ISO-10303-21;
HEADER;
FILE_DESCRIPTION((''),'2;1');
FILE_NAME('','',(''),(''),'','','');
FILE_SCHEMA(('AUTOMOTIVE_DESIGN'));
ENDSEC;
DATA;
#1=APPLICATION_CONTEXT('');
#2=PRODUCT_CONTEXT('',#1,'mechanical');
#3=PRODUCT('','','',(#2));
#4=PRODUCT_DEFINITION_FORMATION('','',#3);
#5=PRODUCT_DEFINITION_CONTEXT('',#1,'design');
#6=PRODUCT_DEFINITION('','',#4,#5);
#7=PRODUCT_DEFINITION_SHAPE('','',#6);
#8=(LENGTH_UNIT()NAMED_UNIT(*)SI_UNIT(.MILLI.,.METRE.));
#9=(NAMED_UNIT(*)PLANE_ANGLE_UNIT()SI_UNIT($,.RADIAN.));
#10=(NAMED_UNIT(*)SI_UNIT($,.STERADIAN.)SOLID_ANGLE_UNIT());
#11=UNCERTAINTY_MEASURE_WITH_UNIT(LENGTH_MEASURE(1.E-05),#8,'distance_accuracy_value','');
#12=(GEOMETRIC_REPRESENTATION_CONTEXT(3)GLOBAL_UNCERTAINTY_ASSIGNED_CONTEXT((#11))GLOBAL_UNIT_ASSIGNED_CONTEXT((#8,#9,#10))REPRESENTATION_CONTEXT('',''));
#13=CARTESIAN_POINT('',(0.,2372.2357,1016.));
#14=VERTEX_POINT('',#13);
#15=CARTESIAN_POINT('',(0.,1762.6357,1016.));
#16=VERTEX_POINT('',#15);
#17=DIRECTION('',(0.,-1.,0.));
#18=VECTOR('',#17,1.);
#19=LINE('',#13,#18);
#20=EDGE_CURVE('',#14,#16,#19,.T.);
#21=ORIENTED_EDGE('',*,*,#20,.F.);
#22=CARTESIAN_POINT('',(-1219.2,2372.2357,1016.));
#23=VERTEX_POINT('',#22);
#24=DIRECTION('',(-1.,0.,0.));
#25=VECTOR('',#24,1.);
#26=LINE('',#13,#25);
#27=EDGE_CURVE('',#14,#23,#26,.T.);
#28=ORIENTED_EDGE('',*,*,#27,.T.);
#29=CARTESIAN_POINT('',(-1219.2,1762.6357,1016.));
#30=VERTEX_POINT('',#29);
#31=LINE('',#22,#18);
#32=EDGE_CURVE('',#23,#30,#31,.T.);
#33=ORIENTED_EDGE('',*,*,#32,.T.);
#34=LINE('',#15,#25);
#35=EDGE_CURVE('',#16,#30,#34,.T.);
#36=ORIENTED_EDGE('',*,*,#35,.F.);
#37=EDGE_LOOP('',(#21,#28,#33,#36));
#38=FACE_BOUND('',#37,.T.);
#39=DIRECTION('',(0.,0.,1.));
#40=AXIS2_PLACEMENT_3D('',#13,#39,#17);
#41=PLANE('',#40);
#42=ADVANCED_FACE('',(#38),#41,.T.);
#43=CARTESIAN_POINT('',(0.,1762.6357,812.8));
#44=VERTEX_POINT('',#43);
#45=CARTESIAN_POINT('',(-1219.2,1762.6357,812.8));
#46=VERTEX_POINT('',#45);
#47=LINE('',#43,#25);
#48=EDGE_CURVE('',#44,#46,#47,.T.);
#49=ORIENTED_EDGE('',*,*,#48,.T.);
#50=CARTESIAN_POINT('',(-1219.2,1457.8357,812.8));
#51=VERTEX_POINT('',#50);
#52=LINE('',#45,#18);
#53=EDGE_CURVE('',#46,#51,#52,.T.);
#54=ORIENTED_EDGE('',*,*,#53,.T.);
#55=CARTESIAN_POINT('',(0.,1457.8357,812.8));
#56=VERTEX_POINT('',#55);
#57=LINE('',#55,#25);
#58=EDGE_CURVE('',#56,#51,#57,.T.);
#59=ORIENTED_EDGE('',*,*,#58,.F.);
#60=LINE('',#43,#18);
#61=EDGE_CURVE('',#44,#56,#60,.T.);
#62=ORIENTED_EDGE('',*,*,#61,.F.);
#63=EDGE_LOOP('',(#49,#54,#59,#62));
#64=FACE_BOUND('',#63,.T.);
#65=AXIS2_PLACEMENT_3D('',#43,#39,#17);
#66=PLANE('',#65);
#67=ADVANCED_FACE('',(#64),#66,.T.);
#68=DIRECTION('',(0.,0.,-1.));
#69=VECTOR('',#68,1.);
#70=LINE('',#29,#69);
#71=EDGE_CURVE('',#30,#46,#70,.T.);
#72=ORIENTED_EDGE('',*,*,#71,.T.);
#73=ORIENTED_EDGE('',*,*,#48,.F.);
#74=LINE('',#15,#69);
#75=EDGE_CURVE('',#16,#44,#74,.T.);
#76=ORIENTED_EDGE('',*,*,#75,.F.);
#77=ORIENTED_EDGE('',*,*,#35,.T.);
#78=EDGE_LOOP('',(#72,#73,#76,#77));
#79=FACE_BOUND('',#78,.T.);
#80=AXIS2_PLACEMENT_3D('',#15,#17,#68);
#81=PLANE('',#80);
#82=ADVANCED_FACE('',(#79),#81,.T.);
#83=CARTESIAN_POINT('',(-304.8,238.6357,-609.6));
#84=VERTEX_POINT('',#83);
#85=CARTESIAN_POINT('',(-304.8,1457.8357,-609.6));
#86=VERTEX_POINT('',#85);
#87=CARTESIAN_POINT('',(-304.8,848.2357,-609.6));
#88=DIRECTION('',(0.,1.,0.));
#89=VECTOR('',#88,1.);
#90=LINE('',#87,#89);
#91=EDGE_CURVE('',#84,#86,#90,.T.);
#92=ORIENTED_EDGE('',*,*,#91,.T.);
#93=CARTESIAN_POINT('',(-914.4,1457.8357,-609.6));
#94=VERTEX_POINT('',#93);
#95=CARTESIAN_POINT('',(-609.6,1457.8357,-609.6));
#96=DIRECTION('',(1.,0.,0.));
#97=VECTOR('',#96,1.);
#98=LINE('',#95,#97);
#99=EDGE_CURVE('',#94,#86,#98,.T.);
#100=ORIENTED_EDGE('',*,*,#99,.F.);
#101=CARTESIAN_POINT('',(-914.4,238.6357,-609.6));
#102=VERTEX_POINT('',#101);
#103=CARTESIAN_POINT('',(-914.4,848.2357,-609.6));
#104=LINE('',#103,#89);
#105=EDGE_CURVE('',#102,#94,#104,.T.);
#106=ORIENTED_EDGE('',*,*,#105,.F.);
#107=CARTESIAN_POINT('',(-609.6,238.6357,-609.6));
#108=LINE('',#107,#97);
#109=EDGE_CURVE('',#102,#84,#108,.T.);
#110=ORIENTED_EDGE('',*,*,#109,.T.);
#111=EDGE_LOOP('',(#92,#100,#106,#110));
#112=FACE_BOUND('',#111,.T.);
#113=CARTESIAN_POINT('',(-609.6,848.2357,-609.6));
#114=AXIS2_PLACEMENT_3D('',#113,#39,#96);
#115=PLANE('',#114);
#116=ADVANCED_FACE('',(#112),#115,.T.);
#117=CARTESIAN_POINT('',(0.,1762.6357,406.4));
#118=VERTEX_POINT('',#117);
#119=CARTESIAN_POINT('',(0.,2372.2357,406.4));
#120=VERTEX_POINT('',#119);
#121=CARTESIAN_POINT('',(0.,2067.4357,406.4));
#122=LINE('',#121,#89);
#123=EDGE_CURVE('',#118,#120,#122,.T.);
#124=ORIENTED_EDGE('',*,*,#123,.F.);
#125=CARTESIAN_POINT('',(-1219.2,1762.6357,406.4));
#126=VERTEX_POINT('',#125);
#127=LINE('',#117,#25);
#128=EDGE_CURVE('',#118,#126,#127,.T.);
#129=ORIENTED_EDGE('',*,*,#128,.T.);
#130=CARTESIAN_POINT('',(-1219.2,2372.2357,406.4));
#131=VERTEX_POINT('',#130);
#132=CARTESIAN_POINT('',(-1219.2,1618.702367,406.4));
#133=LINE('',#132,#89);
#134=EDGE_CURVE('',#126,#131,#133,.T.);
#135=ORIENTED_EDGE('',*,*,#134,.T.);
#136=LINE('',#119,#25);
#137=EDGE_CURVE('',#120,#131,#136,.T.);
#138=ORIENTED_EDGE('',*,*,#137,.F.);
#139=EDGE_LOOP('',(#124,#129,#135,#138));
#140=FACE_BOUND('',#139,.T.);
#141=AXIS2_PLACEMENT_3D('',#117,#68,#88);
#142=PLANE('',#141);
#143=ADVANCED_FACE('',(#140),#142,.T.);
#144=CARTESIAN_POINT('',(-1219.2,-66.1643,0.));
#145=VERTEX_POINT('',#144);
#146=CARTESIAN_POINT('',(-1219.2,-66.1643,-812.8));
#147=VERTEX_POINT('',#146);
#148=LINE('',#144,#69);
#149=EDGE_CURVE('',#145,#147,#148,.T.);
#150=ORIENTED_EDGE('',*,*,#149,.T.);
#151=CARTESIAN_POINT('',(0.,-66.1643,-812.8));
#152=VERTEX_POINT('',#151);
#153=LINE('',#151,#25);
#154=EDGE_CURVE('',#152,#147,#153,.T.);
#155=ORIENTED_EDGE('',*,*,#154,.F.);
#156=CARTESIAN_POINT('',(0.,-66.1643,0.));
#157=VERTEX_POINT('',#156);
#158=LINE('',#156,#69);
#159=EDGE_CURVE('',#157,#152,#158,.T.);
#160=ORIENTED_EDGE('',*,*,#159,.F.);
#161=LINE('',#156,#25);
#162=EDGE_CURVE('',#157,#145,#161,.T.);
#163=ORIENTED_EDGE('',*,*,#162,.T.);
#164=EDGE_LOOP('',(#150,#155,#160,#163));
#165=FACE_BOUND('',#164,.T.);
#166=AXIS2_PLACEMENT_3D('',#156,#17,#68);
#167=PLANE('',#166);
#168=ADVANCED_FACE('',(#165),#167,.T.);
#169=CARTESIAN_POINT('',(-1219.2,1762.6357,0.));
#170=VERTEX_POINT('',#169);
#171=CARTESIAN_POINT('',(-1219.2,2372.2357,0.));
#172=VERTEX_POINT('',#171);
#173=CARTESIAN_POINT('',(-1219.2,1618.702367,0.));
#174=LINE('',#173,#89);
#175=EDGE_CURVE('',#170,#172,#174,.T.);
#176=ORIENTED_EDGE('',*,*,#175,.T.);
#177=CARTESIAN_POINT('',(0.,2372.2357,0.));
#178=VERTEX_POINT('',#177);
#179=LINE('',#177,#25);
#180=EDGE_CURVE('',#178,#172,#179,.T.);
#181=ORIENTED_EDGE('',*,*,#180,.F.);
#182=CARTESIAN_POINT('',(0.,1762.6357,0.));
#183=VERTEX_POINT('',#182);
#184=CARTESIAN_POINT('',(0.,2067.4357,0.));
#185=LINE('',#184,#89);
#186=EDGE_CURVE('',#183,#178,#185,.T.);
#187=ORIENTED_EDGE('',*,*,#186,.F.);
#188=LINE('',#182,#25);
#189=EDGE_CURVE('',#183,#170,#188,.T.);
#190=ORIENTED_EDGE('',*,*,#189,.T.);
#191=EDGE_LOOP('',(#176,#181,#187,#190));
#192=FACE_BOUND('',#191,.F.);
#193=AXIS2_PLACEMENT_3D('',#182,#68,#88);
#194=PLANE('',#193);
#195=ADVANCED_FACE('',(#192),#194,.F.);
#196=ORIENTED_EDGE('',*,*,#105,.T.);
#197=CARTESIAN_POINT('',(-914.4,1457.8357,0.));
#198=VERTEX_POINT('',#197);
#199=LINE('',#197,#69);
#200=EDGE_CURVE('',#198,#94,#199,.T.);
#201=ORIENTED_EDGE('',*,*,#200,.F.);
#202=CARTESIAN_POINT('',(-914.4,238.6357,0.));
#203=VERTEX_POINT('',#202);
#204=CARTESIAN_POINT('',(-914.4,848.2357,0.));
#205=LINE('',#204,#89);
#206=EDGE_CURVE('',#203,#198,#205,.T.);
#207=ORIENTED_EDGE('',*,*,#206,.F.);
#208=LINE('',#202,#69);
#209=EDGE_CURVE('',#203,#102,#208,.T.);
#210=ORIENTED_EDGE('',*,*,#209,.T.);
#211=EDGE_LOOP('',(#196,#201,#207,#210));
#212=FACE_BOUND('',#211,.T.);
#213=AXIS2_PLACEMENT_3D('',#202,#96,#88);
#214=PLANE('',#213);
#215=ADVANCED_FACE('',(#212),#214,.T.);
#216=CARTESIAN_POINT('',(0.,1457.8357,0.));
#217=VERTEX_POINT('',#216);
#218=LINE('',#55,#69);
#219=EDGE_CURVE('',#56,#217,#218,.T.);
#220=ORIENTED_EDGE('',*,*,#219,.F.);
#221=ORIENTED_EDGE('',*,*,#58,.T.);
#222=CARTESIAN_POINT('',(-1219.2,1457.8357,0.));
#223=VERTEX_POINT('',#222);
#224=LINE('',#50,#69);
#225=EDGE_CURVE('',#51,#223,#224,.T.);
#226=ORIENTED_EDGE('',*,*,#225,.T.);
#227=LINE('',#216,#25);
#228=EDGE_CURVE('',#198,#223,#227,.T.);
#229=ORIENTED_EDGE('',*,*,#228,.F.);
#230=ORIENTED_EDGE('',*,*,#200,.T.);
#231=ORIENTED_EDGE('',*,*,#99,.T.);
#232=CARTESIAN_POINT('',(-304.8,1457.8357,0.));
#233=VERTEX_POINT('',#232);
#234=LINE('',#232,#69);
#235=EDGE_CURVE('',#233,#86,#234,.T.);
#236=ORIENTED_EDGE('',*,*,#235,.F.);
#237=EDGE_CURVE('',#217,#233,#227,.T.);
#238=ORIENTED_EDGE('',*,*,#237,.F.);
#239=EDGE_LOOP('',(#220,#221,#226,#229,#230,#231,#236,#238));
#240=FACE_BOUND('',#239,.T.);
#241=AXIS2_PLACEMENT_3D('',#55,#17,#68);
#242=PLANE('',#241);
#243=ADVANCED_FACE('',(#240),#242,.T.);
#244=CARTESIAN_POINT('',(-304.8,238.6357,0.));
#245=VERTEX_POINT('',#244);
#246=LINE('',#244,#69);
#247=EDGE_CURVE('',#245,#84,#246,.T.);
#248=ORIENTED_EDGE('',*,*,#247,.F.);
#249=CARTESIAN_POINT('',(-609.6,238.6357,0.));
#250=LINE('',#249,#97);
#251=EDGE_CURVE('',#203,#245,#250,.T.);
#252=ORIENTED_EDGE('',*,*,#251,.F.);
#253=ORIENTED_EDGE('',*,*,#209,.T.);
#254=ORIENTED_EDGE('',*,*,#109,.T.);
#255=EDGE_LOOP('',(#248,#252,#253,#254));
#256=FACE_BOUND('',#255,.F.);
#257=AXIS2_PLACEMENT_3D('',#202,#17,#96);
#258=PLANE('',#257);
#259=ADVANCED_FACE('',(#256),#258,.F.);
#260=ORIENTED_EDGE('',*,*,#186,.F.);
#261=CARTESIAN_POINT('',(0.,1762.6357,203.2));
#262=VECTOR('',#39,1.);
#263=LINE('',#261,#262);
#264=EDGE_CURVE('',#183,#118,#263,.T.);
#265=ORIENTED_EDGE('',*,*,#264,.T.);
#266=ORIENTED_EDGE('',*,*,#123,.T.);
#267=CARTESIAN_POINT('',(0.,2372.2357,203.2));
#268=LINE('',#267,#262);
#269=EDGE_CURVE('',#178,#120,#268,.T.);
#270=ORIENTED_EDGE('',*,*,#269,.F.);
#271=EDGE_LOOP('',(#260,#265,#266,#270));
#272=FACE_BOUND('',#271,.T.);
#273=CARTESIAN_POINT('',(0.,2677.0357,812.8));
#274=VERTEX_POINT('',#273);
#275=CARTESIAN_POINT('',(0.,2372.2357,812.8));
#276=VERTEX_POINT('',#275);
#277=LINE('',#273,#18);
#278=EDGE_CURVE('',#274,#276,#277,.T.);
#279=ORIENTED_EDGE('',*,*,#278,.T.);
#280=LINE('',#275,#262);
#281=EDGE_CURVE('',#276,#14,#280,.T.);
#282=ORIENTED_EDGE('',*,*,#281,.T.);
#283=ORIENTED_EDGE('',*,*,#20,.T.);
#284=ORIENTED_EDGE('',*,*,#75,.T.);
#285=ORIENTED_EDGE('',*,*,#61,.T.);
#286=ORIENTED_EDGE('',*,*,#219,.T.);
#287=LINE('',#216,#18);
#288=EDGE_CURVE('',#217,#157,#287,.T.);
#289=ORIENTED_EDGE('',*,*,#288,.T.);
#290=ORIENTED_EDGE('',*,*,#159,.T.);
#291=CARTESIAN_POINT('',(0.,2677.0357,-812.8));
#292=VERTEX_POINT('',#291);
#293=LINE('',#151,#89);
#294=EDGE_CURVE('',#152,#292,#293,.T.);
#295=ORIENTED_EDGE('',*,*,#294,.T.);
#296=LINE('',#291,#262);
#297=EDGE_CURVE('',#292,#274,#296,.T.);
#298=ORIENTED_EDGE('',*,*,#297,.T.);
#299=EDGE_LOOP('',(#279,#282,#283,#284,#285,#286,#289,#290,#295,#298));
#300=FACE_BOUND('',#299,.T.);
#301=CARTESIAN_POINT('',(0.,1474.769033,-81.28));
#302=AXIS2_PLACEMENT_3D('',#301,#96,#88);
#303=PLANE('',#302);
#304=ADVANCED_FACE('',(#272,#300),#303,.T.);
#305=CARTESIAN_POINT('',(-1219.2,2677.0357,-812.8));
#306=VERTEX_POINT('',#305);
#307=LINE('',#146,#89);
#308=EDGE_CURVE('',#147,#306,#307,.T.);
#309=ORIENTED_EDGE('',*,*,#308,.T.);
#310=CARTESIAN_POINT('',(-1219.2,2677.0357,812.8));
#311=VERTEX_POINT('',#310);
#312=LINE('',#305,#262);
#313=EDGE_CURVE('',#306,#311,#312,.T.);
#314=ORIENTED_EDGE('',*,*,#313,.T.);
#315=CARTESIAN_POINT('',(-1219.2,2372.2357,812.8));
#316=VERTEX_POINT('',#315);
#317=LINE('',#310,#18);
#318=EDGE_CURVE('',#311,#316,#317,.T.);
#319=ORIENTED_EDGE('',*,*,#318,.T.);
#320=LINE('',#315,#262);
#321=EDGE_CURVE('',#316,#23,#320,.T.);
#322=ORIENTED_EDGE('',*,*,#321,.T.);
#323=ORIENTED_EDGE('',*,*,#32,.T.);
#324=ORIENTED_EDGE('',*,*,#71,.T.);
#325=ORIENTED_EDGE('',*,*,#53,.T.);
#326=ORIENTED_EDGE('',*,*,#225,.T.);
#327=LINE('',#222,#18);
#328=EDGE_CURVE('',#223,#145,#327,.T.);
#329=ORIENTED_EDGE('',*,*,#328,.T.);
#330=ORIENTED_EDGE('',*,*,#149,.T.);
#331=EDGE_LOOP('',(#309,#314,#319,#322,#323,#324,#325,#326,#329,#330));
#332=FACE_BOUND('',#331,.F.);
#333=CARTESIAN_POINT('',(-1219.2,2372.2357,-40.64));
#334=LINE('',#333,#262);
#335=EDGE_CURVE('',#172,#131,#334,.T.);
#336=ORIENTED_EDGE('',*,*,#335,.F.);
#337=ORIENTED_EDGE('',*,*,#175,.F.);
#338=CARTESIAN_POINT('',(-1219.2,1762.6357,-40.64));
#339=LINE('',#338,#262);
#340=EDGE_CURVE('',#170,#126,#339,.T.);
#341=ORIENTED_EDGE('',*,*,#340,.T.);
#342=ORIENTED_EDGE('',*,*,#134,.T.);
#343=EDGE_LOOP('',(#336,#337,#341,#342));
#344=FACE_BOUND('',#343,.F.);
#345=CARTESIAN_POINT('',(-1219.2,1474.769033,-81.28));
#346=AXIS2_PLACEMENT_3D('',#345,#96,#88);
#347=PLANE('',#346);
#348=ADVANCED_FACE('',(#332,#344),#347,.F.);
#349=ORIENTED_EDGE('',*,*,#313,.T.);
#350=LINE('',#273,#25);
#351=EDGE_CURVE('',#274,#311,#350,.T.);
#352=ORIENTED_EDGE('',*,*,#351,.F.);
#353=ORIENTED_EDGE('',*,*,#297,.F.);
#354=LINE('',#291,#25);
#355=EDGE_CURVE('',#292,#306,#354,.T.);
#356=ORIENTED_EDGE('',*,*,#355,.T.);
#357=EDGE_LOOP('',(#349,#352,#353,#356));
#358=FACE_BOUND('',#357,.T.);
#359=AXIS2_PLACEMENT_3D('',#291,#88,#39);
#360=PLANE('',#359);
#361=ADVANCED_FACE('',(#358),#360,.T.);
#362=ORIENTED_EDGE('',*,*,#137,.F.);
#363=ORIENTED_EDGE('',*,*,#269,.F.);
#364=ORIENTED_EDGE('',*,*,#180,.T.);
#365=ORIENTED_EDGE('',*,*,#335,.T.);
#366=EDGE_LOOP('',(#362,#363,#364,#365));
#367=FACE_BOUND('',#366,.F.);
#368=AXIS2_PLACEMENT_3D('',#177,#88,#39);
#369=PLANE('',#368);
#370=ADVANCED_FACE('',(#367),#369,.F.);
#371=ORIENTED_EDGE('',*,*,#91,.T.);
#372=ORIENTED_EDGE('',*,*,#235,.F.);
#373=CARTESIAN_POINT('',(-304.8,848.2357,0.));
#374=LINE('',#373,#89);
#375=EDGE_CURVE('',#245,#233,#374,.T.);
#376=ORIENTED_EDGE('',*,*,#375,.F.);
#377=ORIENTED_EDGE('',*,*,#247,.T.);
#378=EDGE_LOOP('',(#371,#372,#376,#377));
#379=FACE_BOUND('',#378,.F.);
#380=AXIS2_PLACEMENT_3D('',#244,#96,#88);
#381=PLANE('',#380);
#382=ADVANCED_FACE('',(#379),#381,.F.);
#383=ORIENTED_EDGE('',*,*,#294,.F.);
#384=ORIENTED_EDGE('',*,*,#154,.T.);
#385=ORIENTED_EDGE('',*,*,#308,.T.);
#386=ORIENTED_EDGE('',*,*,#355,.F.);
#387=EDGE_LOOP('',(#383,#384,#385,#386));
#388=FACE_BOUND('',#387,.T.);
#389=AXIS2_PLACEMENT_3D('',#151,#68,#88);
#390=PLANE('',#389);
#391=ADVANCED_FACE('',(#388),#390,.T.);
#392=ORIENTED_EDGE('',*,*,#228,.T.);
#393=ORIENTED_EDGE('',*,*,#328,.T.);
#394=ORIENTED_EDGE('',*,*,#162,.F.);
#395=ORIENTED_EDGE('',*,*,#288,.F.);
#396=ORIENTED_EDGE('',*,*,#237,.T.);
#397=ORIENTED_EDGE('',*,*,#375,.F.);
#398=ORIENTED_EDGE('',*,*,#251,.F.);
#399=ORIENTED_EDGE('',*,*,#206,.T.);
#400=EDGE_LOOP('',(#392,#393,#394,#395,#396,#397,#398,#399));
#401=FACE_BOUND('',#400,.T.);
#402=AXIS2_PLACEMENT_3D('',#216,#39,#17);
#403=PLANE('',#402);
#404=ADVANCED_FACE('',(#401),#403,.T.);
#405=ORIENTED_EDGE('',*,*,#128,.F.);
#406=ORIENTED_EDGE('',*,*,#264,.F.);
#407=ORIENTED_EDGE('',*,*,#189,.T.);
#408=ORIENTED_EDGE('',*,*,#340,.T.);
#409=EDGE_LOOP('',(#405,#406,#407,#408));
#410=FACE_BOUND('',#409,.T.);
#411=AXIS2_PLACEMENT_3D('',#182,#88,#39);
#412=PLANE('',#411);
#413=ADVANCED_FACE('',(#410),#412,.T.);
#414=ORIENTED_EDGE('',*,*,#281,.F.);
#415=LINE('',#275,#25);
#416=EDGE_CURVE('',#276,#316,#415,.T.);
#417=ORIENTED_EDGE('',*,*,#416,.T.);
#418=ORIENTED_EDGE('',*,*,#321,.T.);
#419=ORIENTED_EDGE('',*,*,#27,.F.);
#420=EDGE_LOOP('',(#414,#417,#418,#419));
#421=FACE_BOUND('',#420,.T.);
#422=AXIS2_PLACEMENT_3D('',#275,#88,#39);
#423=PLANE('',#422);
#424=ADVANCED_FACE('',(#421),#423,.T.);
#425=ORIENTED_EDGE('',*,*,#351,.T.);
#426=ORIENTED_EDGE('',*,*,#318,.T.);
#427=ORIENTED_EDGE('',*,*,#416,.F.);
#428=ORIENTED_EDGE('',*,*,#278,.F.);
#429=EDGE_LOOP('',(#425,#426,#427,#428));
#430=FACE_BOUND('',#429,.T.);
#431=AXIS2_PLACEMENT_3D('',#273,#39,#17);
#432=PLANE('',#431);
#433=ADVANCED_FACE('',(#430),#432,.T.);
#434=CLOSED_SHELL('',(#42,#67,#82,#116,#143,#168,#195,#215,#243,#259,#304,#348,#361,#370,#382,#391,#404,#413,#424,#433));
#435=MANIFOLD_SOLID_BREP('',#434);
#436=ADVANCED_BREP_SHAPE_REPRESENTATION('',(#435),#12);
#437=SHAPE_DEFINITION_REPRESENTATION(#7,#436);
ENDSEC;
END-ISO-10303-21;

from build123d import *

# Parameters (mm, degrees)
F1_DEPTH = 1219.2
F2_W     = 609.6
F2_H     = 1219.2
F3_DEPTH = 609.6
F4_W     = 609.6
F4_H     = 406.4
F5_DEPTH = 1219.201


with BuildPart() as f1:
    # F0 (on Right) → F1 (new body)
    with BuildSketch(Plane.YZ):
        Polygon((-66.1643, 0), (-66.1643, -812.8), (2677.0357, -812.8), (2677.0357, 812.8), (2372.2357, 812.8), (2372.2357, 1016), (1762.6357, 1016), (1762.6357, 812.8), (1457.8357, 812.8), (1457.8357, 0), align=None)
    extrude(amount=-F1_DEPTH)

    # F2 (on face) → F3 (cut)
    with BuildSketch(Plane.XY):
        with Locations((-609.6, 848.2357)):
            Rectangle(F2_W, F2_H)
    extrude(amount=-F3_DEPTH, mode=Mode.SUBTRACT)

    # F4 (on face) → F5 (cut, through all)
    with BuildSketch(Plane.YZ):
        with Locations((2067.4357, 203.2)):
            Rectangle(F4_W, F4_H)
    extrude(amount=-F5_DEPTH, mode=Mode.SUBTRACT)


solid = f1.part
